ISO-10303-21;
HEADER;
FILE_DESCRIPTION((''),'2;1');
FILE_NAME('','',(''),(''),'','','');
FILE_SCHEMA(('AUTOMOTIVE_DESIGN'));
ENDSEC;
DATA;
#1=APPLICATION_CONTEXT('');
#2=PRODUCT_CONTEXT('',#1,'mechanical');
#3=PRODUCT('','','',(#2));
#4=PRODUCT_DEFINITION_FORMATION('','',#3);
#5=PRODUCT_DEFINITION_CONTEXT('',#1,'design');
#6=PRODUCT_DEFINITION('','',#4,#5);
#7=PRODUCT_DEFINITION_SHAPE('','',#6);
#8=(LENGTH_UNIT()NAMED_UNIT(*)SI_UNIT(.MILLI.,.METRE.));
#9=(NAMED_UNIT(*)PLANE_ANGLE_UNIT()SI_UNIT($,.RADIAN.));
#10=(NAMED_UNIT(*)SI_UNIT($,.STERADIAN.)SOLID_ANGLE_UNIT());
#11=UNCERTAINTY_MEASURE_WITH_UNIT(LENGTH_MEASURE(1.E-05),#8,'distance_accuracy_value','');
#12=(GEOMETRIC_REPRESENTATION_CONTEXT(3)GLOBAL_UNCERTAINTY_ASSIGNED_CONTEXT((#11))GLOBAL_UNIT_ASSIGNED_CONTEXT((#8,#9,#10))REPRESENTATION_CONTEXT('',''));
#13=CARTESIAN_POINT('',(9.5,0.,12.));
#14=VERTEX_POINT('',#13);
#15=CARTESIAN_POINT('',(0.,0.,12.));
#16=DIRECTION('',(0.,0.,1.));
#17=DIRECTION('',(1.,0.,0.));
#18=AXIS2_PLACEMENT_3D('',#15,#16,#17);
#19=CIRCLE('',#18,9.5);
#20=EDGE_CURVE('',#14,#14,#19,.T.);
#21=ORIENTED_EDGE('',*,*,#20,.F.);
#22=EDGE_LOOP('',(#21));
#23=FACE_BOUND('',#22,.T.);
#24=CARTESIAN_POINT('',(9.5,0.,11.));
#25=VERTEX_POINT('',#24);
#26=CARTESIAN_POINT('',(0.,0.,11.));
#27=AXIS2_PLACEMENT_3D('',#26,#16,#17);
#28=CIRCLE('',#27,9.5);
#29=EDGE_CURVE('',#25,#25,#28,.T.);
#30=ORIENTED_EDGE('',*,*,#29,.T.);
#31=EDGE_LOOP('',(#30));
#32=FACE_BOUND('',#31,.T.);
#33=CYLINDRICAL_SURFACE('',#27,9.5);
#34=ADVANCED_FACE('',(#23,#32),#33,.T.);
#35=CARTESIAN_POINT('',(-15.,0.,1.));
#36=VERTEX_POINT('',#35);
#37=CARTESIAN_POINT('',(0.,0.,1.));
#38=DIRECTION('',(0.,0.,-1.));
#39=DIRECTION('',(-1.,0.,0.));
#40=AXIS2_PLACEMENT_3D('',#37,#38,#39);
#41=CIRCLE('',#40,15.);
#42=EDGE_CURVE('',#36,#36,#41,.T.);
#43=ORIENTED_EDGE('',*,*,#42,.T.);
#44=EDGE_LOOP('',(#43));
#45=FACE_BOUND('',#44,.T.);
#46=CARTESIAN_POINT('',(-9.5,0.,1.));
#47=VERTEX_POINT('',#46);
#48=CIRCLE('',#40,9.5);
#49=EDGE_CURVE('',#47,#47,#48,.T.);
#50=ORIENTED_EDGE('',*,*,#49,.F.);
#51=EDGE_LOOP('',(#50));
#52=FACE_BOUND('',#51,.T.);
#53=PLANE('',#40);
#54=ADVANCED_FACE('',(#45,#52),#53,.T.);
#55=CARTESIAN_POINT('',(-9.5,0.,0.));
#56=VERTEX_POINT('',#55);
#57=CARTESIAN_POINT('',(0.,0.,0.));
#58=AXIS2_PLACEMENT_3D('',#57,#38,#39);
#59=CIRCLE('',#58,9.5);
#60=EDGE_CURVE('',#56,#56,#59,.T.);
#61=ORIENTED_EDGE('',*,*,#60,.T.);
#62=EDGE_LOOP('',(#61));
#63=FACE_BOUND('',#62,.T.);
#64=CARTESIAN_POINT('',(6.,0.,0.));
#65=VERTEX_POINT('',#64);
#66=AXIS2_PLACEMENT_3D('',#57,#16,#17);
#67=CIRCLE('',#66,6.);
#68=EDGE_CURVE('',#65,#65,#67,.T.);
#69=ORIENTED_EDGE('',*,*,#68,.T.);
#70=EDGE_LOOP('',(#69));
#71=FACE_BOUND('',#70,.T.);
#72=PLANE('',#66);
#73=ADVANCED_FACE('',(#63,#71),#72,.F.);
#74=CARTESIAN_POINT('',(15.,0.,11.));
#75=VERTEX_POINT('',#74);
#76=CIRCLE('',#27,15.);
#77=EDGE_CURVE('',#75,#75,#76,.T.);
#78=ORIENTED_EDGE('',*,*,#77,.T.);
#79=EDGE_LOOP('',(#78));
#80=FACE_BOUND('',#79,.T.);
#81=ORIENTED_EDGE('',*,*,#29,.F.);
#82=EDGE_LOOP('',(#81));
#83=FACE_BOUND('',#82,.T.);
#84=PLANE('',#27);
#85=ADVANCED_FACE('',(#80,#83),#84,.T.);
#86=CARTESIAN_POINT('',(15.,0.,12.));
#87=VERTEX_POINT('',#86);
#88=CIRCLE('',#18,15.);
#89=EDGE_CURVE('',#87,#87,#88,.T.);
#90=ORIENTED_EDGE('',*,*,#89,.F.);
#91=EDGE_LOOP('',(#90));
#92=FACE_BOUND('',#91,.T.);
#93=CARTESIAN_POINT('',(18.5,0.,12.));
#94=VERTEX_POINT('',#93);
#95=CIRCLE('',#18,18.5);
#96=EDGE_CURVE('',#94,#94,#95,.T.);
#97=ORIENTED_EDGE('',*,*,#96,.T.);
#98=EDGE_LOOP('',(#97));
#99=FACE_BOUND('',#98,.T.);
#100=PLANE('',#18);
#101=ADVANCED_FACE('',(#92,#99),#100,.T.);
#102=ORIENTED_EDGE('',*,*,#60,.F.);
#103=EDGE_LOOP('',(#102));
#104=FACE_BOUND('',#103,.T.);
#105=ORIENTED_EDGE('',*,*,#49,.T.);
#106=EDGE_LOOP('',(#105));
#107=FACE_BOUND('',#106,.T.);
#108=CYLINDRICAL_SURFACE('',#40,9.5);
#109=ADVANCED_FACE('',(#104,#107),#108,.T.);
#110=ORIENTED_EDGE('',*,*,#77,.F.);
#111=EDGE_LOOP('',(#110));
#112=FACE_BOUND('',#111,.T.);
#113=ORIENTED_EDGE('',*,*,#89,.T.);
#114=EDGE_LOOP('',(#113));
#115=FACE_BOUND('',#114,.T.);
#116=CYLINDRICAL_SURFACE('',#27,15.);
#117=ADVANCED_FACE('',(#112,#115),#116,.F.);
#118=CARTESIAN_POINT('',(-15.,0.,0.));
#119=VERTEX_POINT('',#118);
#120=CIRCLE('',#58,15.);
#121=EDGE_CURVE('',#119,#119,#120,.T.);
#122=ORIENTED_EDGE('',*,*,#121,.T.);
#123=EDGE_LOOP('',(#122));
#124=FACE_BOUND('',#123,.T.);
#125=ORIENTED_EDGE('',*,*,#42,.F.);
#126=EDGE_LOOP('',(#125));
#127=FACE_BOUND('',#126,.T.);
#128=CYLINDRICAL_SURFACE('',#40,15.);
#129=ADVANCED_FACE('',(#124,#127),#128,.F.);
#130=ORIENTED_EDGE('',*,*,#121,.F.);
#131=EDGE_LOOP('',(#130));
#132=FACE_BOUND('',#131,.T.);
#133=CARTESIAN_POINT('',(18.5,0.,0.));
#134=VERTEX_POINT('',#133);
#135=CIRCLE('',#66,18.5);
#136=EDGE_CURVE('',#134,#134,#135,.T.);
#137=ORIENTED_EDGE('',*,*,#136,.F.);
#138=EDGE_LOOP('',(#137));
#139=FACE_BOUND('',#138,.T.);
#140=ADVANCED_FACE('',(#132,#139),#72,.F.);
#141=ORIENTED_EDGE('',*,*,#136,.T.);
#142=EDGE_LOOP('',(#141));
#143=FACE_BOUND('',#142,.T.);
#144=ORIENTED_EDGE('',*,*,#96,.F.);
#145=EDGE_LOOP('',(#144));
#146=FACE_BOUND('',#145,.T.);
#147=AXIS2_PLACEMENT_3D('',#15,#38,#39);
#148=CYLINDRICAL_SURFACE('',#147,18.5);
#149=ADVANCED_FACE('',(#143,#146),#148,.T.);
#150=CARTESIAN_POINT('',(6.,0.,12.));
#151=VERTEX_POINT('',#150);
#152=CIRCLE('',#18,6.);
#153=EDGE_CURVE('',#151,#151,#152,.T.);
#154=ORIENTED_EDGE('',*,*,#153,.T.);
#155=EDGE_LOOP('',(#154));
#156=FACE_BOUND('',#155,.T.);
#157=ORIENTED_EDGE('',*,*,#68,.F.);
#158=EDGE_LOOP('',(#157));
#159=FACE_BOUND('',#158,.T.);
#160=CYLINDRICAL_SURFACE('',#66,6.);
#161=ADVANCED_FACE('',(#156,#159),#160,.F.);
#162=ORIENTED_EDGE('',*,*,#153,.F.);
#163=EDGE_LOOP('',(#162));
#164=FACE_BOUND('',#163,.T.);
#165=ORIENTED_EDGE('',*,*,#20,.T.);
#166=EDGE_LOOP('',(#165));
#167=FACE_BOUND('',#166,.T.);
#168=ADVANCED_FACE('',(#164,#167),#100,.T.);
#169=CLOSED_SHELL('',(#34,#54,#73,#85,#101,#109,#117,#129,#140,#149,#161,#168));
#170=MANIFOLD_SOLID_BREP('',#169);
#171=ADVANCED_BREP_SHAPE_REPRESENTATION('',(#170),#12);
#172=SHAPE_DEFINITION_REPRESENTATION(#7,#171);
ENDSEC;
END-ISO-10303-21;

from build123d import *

# Parameters (mm, degrees)
SKETCH1_R           = 18.5
BOSS_EXTRUDE1_DEPTH = 12
SKETCH2_R           = 6
CUT_EXTRUDE1_DEPTH  = 12
SKETCH3_R           = 15
SKETCH3_R_2         = 9.5
CUT_EXTRUDE2_DEPTH  = 1
CUT_EXTRUDE3_START  = -1
SKETCH4_R           = 15
SKETCH4_R_2         = 9.5
CUT_EXTRUDE3_DEPTH  = 1


with BuildPart() as part:
    # Sketch1 → Boss-Extrude1 (new body)
    with BuildSketch(Plane.XY):
        Circle(SKETCH1_R)
    extrude(amount=BOSS_EXTRUDE1_DEPTH)

    # Sketch2 → Cut-Extrude1 (cut)
    with BuildSketch(Plane.XY.offset(12)):
        Circle(SKETCH2_R)
    extrude(amount=-CUT_EXTRUDE1_DEPTH, mode=Mode.SUBTRACT)

    # Sketch3 → Cut-Extrude2 (cut)
    with BuildSketch(Plane.XY.offset(12)):
        Circle(SKETCH3_R)
        Circle(SKETCH3_R_2, mode=Mode.SUBTRACT)
    extrude(amount=-CUT_EXTRUDE2_DEPTH, mode=Mode.SUBTRACT)

    # Sketch4 → Cut-Extrude3 (cut)
    with BuildSketch(Plane(origin=(0, 0, 0), x_dir=(-1, 0, 0), z_dir=(0, 0, -1)).offset(CUT_EXTRUDE3_START)):
        with Locations(Location((0, 0, 0), (0, 0, 180))):
            Circle(SKETCH4_R)
        with Locations(Location((0, 0, 0), (0, 0, 180))):
            Circle(SKETCH4_R_2, mode=Mode.SUBTRACT)
    extrude(amount=CUT_EXTRUDE3_DEPTH, mode=Mode.SUBTRACT)


solid = part.part
